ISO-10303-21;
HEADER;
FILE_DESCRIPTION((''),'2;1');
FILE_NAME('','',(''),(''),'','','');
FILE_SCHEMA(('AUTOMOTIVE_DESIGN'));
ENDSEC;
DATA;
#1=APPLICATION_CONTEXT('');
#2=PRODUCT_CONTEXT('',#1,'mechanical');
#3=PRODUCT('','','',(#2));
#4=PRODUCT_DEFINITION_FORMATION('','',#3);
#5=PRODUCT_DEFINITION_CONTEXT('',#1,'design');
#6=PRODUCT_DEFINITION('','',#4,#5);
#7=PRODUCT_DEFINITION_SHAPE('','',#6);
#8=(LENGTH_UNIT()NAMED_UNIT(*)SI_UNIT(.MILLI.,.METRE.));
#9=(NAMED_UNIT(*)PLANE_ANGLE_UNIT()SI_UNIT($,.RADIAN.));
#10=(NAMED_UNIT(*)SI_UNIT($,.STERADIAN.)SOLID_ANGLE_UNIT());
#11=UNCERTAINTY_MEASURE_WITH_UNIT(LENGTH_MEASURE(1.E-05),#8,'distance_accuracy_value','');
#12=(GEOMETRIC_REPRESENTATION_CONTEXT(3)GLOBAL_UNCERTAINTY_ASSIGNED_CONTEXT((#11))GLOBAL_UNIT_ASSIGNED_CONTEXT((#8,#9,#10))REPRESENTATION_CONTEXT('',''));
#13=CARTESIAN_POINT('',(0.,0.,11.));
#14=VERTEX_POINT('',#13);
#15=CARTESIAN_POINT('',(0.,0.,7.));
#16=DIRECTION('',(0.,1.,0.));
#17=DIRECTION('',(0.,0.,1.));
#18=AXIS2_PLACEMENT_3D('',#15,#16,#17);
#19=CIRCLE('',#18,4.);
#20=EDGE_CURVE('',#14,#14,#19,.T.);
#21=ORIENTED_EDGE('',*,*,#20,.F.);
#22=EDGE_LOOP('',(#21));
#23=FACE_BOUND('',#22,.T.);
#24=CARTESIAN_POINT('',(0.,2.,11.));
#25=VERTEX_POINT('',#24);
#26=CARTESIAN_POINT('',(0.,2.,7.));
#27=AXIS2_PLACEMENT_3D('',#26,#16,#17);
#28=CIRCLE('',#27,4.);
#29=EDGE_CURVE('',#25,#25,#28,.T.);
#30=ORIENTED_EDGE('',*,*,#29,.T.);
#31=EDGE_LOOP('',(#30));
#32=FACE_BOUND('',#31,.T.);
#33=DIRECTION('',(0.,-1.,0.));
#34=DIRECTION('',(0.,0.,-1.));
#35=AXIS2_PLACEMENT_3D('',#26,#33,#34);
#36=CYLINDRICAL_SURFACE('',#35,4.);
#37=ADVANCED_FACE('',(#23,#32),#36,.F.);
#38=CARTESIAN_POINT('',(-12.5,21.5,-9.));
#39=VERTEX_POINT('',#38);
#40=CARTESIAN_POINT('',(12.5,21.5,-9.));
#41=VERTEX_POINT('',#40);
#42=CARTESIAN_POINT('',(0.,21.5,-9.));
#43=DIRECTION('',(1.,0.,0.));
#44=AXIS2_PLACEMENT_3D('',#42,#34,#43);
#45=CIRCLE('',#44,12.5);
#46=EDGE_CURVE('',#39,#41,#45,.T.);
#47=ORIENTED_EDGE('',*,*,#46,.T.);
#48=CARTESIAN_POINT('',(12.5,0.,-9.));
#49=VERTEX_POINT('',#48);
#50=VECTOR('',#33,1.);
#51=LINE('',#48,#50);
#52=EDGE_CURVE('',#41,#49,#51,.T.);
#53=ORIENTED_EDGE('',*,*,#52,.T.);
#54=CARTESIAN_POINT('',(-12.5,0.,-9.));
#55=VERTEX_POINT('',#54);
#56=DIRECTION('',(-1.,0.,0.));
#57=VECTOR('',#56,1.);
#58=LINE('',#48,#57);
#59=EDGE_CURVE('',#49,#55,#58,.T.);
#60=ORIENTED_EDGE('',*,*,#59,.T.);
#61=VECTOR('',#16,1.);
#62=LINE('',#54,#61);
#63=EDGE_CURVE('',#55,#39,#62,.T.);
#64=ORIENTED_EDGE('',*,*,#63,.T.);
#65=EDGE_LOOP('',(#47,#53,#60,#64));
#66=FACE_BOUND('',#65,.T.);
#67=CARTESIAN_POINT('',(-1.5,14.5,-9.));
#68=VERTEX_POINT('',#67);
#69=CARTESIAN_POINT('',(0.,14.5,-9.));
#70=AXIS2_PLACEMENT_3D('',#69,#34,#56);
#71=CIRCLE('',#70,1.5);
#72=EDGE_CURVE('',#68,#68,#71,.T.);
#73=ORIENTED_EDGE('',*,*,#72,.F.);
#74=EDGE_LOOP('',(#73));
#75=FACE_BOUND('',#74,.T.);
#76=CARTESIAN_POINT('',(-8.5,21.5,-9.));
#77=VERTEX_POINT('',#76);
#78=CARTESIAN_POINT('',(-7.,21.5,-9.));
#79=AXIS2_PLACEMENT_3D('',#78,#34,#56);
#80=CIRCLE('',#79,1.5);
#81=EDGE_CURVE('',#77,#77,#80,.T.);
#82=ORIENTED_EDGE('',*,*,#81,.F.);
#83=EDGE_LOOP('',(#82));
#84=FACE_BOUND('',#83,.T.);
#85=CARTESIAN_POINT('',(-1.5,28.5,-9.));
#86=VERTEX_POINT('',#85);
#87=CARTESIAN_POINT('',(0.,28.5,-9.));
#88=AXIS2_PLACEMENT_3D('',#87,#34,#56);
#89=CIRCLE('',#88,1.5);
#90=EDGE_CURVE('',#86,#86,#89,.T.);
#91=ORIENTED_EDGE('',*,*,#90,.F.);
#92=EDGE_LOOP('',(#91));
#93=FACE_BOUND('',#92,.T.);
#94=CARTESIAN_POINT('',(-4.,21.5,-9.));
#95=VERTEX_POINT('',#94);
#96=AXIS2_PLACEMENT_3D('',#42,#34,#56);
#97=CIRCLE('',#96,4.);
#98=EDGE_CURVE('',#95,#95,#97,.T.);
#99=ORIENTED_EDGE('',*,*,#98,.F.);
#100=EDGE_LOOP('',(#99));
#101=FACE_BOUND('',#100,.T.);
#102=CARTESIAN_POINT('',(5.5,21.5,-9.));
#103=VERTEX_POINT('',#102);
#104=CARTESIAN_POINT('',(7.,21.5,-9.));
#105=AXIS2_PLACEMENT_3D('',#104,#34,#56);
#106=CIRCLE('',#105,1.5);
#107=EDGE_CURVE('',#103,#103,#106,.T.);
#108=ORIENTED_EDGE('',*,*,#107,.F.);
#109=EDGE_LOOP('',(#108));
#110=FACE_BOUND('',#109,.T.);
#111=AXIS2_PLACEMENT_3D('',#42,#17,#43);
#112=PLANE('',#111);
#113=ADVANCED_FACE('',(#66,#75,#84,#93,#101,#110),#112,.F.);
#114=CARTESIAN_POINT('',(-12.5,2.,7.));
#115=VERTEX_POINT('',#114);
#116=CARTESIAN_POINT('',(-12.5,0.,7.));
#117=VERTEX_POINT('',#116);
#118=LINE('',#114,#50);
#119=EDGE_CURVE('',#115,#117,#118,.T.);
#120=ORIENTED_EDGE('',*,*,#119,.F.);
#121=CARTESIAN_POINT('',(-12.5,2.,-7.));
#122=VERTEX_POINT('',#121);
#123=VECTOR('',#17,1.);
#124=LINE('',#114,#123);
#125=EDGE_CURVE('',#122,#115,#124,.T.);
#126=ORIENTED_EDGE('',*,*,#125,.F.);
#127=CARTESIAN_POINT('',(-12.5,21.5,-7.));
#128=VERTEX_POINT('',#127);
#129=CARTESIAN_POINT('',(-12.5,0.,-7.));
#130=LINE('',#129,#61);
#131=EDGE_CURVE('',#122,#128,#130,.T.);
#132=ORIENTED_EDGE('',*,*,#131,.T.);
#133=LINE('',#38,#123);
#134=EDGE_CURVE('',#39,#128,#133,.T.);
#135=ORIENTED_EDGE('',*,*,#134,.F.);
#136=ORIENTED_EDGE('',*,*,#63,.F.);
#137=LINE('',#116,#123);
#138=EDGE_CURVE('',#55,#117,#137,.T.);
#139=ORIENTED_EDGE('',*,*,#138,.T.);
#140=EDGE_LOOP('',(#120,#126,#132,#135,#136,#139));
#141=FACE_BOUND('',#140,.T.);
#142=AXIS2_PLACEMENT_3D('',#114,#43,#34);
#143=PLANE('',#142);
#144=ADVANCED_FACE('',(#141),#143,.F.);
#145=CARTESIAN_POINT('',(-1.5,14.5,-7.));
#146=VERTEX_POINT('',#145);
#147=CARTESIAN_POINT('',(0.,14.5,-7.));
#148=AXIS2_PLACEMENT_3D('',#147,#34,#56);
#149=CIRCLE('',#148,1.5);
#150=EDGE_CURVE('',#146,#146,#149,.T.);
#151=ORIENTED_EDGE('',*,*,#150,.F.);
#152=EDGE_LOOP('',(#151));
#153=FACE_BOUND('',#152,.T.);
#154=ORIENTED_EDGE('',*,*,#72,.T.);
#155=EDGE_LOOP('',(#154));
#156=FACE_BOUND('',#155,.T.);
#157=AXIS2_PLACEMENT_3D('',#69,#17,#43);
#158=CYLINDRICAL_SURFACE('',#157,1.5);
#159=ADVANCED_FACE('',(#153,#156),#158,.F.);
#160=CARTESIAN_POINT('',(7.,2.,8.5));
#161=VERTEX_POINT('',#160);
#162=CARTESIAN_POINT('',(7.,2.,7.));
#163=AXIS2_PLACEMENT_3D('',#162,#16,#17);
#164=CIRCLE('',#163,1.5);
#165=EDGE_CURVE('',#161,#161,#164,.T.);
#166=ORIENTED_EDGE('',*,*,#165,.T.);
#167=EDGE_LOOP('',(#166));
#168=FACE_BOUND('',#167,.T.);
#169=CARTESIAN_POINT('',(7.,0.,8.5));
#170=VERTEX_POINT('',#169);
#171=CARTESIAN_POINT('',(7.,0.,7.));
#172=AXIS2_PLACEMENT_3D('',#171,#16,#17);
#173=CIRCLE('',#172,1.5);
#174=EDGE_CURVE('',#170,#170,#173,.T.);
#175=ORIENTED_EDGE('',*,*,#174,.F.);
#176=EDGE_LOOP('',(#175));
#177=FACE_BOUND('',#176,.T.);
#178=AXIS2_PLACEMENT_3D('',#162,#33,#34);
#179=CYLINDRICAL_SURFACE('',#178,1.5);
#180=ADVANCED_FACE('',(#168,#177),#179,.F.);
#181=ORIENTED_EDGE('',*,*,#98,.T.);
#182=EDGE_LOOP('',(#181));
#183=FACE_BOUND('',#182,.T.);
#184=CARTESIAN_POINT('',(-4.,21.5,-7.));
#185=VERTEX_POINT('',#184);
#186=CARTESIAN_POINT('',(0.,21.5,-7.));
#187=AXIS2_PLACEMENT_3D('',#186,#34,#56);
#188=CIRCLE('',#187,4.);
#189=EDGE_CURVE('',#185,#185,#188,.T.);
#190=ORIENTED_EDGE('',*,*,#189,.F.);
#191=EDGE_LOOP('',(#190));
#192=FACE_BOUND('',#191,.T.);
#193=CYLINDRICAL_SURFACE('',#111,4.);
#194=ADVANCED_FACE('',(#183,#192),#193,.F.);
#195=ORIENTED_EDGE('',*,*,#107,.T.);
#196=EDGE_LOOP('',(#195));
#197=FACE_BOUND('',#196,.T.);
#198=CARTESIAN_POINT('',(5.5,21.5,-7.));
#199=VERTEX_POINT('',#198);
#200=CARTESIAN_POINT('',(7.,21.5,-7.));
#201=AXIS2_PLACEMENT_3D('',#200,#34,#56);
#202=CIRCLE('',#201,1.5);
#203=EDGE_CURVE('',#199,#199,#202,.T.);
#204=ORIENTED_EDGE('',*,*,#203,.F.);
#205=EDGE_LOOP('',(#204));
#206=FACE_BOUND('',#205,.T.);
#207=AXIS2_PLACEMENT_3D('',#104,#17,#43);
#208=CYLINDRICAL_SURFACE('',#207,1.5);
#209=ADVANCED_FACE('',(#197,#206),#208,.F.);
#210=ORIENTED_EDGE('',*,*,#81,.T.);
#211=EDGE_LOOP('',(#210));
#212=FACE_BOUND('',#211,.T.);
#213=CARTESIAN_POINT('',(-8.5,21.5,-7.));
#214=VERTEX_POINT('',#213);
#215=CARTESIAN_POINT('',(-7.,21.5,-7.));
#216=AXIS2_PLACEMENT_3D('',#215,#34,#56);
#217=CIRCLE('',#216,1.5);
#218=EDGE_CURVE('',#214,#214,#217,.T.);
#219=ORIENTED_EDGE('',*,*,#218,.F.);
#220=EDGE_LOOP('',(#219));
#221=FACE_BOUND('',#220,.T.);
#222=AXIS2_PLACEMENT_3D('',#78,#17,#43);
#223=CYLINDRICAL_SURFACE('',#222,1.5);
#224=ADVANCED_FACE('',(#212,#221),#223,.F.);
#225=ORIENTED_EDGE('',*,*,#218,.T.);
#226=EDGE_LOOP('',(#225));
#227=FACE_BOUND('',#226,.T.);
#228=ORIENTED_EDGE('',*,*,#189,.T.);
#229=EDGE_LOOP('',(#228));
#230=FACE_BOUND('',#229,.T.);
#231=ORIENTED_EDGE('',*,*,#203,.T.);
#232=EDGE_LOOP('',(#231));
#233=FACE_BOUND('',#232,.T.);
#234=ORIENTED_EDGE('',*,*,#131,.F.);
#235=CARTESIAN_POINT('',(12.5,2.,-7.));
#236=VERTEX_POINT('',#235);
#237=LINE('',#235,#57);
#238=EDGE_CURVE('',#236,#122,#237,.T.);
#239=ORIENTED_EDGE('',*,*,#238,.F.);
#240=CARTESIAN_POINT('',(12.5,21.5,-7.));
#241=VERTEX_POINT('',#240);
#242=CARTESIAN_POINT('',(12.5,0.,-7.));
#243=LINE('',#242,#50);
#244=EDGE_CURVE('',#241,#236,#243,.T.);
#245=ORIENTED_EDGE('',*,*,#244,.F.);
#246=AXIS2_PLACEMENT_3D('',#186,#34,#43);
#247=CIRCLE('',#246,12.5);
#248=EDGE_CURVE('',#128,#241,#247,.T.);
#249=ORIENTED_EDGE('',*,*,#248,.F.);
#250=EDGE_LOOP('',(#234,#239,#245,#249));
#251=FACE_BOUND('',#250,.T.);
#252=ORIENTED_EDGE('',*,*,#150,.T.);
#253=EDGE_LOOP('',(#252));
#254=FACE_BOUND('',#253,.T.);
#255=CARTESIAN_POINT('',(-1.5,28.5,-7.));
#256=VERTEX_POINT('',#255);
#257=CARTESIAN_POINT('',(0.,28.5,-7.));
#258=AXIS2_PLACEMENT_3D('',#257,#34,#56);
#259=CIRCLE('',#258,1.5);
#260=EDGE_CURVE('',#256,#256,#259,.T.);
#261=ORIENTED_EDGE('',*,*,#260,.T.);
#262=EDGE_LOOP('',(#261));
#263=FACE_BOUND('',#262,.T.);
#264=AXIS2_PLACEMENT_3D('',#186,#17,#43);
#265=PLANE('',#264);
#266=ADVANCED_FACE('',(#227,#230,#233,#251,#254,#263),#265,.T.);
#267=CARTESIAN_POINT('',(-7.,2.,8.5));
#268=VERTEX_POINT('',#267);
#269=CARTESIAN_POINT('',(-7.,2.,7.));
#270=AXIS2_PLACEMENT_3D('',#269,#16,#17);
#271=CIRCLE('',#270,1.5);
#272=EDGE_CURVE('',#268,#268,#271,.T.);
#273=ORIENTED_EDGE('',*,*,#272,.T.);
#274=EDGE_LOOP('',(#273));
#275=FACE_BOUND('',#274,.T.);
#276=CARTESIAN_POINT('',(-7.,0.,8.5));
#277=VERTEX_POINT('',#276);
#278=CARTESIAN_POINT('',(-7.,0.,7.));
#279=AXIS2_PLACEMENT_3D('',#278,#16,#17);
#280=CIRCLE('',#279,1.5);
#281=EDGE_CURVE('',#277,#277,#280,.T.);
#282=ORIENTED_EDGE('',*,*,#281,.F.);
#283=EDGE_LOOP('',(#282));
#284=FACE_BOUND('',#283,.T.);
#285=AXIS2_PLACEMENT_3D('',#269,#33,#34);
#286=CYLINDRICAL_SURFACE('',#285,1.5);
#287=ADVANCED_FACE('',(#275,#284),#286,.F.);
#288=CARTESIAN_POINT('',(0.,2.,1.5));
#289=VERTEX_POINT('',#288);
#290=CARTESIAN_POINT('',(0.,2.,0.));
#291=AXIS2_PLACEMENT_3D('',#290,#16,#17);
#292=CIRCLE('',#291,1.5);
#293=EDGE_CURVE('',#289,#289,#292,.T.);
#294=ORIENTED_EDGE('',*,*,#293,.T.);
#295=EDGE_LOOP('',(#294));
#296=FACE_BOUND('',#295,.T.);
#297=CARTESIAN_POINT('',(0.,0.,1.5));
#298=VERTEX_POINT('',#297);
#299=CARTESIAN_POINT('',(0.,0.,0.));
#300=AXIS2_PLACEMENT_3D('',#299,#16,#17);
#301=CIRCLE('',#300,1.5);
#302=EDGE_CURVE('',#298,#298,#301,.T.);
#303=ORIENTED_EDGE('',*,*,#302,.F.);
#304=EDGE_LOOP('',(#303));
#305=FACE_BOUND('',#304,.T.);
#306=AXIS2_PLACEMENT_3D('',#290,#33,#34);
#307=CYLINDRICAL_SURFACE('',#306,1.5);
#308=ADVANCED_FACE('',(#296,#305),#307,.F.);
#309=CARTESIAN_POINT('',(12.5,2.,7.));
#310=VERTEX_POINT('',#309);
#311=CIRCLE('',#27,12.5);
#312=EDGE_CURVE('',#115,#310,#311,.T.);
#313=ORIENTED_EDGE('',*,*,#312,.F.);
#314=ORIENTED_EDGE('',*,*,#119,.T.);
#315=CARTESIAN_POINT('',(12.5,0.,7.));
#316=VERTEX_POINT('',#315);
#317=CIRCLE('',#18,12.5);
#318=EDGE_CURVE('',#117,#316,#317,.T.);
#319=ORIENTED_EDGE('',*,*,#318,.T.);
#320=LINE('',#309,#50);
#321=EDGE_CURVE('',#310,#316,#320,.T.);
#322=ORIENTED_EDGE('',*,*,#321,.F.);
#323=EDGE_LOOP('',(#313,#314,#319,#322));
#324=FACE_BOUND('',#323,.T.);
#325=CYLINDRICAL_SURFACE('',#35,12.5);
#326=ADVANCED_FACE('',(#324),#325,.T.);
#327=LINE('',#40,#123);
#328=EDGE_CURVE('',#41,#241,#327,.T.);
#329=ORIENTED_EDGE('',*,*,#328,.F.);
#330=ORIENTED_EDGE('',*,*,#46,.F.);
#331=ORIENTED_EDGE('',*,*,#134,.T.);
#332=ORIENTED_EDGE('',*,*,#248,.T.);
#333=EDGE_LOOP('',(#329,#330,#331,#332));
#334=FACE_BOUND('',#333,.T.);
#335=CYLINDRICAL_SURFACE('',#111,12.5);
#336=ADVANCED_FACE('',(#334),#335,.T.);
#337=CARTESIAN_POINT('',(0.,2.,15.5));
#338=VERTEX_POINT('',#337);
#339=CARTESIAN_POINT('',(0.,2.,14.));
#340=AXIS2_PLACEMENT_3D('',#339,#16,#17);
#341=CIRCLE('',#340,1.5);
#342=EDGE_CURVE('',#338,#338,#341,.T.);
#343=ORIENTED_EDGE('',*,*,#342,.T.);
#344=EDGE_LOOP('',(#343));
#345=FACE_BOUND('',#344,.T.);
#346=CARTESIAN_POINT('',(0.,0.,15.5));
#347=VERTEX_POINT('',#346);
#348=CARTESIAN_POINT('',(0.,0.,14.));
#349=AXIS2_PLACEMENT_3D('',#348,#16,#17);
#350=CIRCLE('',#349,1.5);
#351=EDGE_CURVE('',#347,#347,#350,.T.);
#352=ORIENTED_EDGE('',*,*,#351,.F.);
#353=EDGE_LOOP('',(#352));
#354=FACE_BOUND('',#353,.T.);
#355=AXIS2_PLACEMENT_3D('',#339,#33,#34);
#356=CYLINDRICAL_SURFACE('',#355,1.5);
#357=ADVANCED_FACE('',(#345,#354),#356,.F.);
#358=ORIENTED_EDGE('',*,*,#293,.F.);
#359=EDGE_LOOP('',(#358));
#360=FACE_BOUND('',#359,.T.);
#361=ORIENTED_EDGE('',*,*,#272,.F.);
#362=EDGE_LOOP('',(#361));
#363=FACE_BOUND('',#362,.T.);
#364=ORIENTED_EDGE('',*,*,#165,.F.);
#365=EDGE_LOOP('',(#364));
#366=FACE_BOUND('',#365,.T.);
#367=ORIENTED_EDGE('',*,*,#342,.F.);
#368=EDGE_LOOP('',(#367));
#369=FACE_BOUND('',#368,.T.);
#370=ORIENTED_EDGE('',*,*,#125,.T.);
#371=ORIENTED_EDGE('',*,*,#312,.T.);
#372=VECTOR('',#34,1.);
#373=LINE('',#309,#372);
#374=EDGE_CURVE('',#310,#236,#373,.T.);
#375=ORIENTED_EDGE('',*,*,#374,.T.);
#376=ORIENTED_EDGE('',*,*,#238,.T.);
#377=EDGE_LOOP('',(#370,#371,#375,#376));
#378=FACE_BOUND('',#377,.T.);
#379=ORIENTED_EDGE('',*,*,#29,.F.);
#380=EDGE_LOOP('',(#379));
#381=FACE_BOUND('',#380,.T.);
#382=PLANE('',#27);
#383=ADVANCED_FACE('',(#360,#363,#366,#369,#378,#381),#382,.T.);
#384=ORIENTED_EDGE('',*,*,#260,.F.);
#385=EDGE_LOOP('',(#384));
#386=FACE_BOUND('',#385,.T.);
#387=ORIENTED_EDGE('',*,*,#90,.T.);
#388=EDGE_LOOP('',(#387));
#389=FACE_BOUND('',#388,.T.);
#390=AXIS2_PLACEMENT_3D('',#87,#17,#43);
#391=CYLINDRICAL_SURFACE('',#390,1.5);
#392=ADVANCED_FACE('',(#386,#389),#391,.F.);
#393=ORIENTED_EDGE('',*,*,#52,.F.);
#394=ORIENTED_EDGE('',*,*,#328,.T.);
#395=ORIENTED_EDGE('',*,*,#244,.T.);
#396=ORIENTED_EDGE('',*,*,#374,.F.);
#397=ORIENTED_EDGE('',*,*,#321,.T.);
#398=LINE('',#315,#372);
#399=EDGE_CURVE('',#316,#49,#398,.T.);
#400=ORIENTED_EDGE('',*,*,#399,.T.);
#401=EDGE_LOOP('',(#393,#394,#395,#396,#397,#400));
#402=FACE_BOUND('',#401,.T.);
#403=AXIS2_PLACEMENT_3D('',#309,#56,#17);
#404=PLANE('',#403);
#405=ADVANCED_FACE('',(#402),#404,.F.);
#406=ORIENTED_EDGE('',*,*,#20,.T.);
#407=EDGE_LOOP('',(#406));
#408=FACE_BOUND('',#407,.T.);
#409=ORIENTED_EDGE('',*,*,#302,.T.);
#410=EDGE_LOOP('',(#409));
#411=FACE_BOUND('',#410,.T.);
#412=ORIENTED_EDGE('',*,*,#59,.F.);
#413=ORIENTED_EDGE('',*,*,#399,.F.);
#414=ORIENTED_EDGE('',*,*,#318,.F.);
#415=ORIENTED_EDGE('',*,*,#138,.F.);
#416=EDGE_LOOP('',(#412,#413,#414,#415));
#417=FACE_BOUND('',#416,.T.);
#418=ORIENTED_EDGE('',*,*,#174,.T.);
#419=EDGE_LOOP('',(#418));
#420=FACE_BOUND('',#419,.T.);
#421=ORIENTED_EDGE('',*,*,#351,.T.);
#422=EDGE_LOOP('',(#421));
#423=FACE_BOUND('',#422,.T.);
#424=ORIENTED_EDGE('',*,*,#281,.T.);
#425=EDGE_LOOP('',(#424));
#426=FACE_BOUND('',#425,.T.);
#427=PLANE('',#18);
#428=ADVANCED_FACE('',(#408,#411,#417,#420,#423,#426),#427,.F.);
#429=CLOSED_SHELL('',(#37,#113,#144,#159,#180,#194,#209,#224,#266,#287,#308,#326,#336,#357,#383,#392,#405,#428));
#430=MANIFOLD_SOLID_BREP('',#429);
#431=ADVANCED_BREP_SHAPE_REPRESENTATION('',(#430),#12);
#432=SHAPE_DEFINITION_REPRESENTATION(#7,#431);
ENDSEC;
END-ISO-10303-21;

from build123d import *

# Parameters (mm, degrees)
SKETCH1_R           = 4
SKETCH1_R_2         = 1.5
BOSS_EXTRUDE1_DEPTH = 2
SKETCH2_R           = 4
SKETCH2_R_2         = 1.5
BOSS_EXTRUDE2_DEPTH = 2


with BuildPart() as part:
    # Sketch1 → Boss-Extrude1 (new body)
    with BuildSketch(Plane(origin=(0, 0, 0), x_dir=(1, 0, 0), z_dir=(0, 1, 0))):
        with BuildLine():
            Line((12.5, -7), (12.5, 7))
            Line((12.5, 7), (-12.5, 7))
            Line((-12.5, 7), (-12.5, -7))
            ThreePointArc((-12.5, -7), (0, -19.5), (12.5, -7))
        make_face()
        with Locations((0, -7)):
            Circle(SKETCH1_R, mode=Mode.SUBTRACT)
        Circle(SKETCH1_R_2, mode=Mode.SUBTRACT)
        with Locations((7, -7)):
            Circle(SKETCH1_R_2, mode=Mode.SUBTRACT)
        with Locations((-7, -7)):
            Circle(SKETCH1_R_2, mode=Mode.SUBTRACT)
        with Locations((0, -14)):
            Circle(SKETCH1_R_2, mode=Mode.SUBTRACT)
    extrude(amount=BOSS_EXTRUDE1_DEPTH)

    # Sketch2 → Boss-Extrude2 (add)
    with BuildSketch(Plane(origin=(0, 0, -7), x_dir=(-1, 0, 0), z_dir=(0, 0, -1))):
        with BuildLine():
            Line((-12.5, 0), (12.5, 0))
            Line((12.5, 0), (12.5, 21.5))
            ThreePointArc((12.5, 21.5), (0, 34), (-12.5, 21.5))
            Line((-12.5, 21.5), (-12.5, 0))
        make_face()
        with Locations((0, 21.5)):
            Circle(SKETCH2_R, mode=Mode.SUBTRACT)
        with Locations((0, 28.5)):
            Circle(SKETCH2_R_2, mode=Mode.SUBTRACT)
        with Locations((7, 21.5)):
            Circle(SKETCH2_R_2, mode=Mode.SUBTRACT)
        with Locations((0, 14.5)):
            Circle(SKETCH2_R_2, mode=Mode.SUBTRACT)
        with Locations((-7, 21.5)):
            Circle(SKETCH2_R_2, mode=Mode.SUBTRACT)
    extrude(amount=BOSS_EXTRUDE2_DEPTH)


solid = part.part
